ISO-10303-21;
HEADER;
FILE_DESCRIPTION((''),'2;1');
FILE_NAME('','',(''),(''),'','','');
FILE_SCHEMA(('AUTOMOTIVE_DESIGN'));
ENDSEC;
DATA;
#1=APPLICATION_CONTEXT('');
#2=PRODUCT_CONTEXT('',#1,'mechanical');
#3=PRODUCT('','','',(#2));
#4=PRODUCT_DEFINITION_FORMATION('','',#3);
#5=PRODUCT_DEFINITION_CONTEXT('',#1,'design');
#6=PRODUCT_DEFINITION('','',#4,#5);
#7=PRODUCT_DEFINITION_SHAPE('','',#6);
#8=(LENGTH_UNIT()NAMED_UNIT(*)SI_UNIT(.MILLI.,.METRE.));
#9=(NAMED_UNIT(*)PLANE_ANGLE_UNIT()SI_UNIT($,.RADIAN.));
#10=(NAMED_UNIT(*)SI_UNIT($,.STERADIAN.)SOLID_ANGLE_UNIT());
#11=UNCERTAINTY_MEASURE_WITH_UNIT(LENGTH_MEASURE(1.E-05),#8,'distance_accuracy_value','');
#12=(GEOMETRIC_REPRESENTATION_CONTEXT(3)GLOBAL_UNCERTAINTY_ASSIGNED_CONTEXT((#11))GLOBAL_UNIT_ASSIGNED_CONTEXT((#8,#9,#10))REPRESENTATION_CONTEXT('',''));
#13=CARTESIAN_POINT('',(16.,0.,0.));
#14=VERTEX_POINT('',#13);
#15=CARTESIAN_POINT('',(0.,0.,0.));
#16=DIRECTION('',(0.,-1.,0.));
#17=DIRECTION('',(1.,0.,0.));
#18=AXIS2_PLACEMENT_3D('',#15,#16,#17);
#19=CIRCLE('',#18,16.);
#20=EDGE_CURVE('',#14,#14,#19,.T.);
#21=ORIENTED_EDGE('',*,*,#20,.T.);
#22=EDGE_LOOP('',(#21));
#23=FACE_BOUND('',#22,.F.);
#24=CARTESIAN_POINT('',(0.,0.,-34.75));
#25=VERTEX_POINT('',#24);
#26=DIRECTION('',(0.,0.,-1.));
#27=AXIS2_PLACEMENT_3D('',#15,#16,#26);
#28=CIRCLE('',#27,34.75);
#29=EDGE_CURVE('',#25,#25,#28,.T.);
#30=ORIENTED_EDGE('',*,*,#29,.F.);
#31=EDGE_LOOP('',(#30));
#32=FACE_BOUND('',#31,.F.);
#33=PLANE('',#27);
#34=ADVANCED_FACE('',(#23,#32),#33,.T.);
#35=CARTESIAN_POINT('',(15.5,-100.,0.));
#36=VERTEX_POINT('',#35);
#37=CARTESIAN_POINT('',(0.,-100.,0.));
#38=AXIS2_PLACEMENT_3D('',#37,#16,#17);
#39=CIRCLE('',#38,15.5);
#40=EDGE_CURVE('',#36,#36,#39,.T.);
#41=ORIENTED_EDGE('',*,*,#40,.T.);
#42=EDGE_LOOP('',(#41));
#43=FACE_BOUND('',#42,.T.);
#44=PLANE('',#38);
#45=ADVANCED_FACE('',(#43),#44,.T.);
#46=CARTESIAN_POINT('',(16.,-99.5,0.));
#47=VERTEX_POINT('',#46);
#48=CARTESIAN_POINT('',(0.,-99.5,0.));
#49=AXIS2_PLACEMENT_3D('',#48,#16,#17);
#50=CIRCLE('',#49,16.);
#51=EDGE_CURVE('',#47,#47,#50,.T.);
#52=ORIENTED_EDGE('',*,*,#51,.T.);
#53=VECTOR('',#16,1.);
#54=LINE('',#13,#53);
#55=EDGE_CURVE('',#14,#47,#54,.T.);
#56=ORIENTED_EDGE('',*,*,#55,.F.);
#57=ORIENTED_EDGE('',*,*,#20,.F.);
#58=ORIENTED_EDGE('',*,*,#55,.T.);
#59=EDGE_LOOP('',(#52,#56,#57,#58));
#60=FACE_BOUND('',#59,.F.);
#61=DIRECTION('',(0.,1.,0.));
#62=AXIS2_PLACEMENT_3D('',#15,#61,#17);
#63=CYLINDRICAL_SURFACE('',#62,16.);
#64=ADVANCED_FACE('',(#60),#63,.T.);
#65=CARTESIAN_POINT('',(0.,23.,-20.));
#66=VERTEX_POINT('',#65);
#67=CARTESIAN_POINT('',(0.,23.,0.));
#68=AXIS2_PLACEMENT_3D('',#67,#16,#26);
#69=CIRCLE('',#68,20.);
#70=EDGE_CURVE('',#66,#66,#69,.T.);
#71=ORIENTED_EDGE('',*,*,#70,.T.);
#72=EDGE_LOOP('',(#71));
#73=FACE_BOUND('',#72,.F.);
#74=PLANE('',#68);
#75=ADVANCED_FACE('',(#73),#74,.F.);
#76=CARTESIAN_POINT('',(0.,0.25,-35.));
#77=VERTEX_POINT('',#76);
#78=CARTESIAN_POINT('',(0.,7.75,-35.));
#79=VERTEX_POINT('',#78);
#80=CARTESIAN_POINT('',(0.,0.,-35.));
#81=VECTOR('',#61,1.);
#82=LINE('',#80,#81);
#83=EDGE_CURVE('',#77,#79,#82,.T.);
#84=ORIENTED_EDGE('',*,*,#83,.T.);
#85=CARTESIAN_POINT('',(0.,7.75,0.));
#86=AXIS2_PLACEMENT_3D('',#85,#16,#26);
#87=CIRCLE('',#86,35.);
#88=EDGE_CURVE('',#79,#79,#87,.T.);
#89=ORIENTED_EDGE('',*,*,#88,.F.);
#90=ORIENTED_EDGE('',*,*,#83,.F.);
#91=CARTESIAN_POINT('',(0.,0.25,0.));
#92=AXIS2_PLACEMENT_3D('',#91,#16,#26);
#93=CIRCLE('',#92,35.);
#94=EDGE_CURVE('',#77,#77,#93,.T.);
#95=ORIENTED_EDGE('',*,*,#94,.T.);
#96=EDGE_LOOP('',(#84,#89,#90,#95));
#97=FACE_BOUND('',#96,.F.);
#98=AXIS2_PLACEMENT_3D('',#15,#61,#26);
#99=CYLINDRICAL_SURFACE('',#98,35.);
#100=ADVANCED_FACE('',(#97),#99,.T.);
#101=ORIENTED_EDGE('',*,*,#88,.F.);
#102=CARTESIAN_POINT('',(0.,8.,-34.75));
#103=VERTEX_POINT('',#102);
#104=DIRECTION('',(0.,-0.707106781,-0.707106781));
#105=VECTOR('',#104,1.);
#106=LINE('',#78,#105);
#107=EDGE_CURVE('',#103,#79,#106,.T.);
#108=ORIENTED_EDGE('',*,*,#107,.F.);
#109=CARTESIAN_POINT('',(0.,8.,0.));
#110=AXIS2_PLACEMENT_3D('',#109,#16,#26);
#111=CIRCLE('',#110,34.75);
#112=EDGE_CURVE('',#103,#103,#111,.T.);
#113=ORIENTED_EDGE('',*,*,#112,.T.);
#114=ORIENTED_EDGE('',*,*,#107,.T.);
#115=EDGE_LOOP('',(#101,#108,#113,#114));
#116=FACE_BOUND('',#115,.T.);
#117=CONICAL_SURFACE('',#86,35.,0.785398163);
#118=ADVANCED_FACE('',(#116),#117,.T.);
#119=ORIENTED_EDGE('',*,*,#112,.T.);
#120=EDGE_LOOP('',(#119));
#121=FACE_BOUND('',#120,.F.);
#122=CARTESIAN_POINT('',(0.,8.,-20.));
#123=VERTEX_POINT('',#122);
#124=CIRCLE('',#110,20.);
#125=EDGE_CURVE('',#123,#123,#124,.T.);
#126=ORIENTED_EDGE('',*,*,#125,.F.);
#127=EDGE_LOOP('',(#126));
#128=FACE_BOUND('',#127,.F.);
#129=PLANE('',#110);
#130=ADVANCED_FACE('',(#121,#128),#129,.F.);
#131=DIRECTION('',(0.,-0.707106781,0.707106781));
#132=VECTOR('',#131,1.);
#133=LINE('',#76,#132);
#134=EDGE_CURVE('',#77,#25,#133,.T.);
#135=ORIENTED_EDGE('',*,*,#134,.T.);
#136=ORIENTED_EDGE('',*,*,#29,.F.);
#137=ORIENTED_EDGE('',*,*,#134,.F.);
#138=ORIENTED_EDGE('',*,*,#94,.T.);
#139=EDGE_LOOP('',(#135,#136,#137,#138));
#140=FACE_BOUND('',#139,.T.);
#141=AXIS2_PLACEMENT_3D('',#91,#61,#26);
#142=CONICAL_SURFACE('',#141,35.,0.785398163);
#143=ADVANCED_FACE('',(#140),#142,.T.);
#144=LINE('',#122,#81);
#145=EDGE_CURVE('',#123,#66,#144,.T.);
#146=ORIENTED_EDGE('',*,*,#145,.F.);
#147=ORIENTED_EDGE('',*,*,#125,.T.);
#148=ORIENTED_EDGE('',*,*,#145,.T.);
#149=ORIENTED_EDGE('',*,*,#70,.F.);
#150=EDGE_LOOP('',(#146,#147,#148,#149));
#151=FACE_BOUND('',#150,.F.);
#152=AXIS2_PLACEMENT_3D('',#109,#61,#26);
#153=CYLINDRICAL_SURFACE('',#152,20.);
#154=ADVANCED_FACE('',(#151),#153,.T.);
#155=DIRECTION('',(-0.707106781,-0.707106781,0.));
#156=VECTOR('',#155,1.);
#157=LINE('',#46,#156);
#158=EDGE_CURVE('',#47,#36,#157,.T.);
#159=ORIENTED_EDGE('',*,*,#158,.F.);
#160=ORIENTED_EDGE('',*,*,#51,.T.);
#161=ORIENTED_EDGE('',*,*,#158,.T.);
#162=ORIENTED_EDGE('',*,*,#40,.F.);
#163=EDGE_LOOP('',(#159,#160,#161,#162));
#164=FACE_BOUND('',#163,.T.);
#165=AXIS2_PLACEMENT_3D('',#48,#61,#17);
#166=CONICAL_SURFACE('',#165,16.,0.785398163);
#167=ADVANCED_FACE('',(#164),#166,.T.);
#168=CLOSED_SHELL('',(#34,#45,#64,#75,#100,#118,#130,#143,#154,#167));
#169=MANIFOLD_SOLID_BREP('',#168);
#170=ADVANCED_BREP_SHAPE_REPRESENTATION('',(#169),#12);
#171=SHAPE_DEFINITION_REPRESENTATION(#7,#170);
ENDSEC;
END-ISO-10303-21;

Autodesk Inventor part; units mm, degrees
ref_plane "YZ Plane" through (0, 0, 0) normal (1, 0, 0) x (0, 1, 0)
ref_plane "XZ Plane" through (0, 0, 0) normal (0, 1, 0) x (-1, 0, 0)
ref_plane "XY Plane" through (0, 0, 0) normal (0, 0, 1) x (1, 0, 0)
sketch "Skizze1" plane through (0, 0, 0) normal (1, 0, 0) x (0, 1, 0)
  line L0 (8, 0) -> (0, 0)
  line L1 (0, 0) -> (0, -35)
  line L2 (0, -35) -> (8, -35)
  line L3 (8, -35) -> (8, 0)
  line L4 (23, 0) -> (8, 0)
  line L5 (8, 0) -> (8, -20)
  line L6 (8, -20) -> (23, -20)
  line L7 (23, -20) -> (23, 0)
  dimension "d0" = 20
  dimension "d1" = 35
  dimension "d2" = 8
  dimension "d3" = 15
revolve "Umdrehung1" add sketch "Skizze1" angle 360 about axis through (0, 23, 0) along (0, -1, 0)
chamfer "Fase1" distance 0.25 angle 45 2 edges at (0, 8, 35) (0, 0, 35)
sketch "Skizze2" plane through (0, 0, 0) normal (0, -1, 0) x (1, 0, 0)
  circle A0 centre (0, 0) radius 16
  dimension "d8" = 32
extrude "Extrusion1" add sketch "Skizze2" along normal blind 100
chamfer "Fase2" distance 0.5 angle 45 1 edges at (-16, -100, 0)
properties part number "Stempel"
